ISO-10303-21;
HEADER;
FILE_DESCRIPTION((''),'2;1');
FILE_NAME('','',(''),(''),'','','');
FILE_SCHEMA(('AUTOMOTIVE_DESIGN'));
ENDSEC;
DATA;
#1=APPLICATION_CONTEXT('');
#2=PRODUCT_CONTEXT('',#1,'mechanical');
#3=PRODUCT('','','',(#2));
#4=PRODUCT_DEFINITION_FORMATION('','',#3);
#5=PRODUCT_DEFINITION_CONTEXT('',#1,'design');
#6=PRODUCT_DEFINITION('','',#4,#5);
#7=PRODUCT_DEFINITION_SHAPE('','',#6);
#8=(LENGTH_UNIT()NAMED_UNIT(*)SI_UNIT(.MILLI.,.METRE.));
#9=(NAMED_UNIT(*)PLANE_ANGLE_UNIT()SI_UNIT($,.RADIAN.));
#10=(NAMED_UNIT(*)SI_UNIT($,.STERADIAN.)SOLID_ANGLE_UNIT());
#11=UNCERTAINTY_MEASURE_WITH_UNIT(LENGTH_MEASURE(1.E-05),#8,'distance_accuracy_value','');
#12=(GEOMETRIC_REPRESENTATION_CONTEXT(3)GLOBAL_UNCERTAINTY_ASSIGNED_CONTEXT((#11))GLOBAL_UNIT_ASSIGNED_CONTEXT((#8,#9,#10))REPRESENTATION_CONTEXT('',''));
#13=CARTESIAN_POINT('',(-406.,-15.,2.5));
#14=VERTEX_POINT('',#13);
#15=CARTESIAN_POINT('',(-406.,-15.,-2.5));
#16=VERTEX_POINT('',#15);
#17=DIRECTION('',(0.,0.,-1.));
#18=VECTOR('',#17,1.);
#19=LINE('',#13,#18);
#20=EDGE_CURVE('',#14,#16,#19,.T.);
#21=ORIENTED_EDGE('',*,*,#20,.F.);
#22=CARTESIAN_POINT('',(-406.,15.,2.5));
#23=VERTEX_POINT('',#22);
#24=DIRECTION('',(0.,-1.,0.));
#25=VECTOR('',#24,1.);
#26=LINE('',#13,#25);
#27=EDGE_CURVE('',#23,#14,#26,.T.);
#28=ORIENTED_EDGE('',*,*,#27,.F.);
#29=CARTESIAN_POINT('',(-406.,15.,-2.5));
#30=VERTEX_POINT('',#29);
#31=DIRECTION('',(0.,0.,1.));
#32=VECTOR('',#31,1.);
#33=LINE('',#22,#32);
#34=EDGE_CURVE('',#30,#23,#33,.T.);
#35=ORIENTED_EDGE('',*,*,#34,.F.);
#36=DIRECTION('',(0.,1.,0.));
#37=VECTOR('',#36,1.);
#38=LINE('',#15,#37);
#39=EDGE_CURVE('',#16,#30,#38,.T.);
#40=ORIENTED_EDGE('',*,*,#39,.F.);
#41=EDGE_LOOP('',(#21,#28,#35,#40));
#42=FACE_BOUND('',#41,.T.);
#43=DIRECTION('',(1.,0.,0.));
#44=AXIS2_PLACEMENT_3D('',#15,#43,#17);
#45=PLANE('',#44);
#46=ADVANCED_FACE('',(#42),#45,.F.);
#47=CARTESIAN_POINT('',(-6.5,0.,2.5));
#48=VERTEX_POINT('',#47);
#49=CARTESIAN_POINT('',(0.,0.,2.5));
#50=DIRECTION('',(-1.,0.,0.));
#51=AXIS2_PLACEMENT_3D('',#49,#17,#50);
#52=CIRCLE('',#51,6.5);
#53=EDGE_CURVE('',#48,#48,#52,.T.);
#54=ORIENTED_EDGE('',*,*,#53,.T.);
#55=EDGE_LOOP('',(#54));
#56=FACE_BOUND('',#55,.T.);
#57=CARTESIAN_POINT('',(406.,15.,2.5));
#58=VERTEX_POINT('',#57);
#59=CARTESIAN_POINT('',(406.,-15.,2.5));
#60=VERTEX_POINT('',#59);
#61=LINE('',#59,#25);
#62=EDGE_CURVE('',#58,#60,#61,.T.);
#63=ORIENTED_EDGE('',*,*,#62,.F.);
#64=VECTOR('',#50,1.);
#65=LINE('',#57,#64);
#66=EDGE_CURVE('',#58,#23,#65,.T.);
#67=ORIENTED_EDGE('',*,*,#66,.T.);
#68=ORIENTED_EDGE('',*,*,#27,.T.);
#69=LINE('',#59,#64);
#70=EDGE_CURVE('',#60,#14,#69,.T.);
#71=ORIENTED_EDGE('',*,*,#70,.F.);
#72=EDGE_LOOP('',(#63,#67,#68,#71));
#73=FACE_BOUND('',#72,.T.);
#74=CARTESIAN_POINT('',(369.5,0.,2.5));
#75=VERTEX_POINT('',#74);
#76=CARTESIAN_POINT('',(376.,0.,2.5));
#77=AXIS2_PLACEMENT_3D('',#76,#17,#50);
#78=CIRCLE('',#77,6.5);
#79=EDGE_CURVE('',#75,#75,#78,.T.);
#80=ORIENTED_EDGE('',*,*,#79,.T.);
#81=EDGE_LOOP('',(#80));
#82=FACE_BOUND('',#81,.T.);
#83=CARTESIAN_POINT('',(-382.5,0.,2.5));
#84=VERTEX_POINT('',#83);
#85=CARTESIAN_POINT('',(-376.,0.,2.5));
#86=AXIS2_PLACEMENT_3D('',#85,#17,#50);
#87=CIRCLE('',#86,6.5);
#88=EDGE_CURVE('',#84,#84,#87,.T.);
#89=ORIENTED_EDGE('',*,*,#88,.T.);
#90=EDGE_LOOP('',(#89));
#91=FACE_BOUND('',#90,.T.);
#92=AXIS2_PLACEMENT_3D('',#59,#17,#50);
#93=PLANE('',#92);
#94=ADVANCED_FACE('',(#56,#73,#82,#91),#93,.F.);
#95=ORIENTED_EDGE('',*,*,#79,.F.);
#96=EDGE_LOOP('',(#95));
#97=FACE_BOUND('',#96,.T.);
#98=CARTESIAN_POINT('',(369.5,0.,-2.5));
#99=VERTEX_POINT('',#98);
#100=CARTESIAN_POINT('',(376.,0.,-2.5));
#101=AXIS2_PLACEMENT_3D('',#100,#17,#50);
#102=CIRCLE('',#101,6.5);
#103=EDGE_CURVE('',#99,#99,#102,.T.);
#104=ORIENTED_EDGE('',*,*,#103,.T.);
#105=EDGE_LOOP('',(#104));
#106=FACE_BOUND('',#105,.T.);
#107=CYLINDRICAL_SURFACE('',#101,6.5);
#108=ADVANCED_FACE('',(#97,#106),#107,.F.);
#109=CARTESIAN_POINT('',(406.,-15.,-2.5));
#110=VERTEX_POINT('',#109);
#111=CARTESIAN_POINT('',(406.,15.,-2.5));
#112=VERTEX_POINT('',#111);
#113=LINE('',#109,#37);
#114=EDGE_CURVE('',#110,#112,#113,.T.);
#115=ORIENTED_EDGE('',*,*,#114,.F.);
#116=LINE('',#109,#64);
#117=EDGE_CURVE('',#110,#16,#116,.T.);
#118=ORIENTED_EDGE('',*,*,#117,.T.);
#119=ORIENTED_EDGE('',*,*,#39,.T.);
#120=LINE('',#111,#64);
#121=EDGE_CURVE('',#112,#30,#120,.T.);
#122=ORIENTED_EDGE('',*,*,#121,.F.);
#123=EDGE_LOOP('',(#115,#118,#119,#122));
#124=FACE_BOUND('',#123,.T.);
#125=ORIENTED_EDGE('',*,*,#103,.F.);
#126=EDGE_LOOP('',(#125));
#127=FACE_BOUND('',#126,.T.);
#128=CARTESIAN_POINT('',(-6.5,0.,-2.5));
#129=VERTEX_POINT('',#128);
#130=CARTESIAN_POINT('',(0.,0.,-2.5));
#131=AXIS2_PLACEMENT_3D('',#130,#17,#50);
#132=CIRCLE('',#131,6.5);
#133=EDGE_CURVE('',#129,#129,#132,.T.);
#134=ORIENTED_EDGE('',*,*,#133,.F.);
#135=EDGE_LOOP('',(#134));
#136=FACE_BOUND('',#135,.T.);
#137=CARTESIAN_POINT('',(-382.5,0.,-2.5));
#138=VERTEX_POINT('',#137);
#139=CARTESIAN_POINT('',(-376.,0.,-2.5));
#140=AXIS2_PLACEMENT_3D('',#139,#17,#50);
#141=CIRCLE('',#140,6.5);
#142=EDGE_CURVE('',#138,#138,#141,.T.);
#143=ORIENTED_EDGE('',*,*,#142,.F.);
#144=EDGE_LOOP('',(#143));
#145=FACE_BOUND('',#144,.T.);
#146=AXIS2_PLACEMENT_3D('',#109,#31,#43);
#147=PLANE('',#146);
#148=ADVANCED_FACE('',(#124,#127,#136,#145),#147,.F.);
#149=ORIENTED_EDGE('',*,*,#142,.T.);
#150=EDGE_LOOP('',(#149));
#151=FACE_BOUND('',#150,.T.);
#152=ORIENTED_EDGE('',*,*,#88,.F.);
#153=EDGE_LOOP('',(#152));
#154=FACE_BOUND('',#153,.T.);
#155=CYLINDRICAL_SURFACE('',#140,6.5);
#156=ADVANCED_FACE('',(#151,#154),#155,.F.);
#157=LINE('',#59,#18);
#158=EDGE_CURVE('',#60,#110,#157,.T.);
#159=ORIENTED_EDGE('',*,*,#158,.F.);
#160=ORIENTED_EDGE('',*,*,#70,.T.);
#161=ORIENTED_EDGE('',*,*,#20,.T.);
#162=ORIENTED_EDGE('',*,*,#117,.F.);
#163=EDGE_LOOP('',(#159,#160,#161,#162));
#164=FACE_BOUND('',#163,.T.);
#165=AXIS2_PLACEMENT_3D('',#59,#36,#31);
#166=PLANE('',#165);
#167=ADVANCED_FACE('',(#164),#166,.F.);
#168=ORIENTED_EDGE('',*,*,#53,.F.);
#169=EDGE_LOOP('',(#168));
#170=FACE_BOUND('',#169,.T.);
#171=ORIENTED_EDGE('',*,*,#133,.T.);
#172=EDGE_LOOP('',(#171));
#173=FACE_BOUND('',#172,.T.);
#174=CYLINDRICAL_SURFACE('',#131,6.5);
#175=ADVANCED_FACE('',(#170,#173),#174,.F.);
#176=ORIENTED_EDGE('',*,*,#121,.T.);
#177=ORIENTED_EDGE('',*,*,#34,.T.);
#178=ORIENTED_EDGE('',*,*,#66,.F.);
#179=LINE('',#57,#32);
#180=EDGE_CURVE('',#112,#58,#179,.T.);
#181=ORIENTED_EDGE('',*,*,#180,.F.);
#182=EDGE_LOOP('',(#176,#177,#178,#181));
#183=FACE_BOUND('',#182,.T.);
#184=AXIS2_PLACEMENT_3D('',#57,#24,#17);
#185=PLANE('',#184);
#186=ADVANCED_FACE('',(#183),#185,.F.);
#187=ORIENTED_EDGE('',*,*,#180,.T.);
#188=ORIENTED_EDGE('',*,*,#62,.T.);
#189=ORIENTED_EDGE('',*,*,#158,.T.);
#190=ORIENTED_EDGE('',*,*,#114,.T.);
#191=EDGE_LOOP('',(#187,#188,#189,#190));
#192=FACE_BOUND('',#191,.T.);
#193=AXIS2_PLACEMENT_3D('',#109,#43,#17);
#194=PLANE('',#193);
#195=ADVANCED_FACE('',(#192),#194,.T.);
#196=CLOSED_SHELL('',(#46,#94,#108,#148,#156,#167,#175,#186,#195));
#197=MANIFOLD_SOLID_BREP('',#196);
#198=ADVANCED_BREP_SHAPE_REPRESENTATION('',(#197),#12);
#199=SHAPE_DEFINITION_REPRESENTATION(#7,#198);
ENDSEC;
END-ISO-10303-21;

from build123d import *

# Parameters (mm, degrees)
PLAT_W                          = 30
PLAT_H                          = 5
EL_MENT_M_CANO_SOUD_1_DEPTH     = 812
DIAM_TRE_DU_PER_AGE_13_0_13_1_D = 13
R_P_TITION_LIN_AIRE2_COUNT      = 3
R_P_TITION_LIN_AIRE2_PITCH      = 376


with BuildPart() as part:
    # plat → Elément mécano-soudé1 (new body)
    with BuildSketch(Plane.YZ.offset(-406)):
        Rectangle(PLAT_W, PLAT_H)
    extrude(amount=EL_MENT_M_CANO_SOUD_1_DEPTH)

    # Diamètre du perçage Ø13.0 (13)1 (through all)
    with Locations(Plane(origin=(0, 0, -2.5), x_dir=(-1, 0, 0), z_dir=(0, 0, -1))):
        with Locations((376, 0)):
            diam_tre_du_per_age_13_0_13_1 = Hole(DIAM_TRE_DU_PER_AGE_13_0_13_1_D / 2)

    # Répétition linéaire2: Diamètre du perçage Ø13.0 (13)1 ×3
    with Locations(*[(i * R_P_TITION_LIN_AIRE2_PITCH, 0, 0) for i in range(1, R_P_TITION_LIN_AIRE2_COUNT)]):
        add(diam_tre_du_per_age_13_0_13_1, mode=Mode.SUBTRACT)


solid = part.part
